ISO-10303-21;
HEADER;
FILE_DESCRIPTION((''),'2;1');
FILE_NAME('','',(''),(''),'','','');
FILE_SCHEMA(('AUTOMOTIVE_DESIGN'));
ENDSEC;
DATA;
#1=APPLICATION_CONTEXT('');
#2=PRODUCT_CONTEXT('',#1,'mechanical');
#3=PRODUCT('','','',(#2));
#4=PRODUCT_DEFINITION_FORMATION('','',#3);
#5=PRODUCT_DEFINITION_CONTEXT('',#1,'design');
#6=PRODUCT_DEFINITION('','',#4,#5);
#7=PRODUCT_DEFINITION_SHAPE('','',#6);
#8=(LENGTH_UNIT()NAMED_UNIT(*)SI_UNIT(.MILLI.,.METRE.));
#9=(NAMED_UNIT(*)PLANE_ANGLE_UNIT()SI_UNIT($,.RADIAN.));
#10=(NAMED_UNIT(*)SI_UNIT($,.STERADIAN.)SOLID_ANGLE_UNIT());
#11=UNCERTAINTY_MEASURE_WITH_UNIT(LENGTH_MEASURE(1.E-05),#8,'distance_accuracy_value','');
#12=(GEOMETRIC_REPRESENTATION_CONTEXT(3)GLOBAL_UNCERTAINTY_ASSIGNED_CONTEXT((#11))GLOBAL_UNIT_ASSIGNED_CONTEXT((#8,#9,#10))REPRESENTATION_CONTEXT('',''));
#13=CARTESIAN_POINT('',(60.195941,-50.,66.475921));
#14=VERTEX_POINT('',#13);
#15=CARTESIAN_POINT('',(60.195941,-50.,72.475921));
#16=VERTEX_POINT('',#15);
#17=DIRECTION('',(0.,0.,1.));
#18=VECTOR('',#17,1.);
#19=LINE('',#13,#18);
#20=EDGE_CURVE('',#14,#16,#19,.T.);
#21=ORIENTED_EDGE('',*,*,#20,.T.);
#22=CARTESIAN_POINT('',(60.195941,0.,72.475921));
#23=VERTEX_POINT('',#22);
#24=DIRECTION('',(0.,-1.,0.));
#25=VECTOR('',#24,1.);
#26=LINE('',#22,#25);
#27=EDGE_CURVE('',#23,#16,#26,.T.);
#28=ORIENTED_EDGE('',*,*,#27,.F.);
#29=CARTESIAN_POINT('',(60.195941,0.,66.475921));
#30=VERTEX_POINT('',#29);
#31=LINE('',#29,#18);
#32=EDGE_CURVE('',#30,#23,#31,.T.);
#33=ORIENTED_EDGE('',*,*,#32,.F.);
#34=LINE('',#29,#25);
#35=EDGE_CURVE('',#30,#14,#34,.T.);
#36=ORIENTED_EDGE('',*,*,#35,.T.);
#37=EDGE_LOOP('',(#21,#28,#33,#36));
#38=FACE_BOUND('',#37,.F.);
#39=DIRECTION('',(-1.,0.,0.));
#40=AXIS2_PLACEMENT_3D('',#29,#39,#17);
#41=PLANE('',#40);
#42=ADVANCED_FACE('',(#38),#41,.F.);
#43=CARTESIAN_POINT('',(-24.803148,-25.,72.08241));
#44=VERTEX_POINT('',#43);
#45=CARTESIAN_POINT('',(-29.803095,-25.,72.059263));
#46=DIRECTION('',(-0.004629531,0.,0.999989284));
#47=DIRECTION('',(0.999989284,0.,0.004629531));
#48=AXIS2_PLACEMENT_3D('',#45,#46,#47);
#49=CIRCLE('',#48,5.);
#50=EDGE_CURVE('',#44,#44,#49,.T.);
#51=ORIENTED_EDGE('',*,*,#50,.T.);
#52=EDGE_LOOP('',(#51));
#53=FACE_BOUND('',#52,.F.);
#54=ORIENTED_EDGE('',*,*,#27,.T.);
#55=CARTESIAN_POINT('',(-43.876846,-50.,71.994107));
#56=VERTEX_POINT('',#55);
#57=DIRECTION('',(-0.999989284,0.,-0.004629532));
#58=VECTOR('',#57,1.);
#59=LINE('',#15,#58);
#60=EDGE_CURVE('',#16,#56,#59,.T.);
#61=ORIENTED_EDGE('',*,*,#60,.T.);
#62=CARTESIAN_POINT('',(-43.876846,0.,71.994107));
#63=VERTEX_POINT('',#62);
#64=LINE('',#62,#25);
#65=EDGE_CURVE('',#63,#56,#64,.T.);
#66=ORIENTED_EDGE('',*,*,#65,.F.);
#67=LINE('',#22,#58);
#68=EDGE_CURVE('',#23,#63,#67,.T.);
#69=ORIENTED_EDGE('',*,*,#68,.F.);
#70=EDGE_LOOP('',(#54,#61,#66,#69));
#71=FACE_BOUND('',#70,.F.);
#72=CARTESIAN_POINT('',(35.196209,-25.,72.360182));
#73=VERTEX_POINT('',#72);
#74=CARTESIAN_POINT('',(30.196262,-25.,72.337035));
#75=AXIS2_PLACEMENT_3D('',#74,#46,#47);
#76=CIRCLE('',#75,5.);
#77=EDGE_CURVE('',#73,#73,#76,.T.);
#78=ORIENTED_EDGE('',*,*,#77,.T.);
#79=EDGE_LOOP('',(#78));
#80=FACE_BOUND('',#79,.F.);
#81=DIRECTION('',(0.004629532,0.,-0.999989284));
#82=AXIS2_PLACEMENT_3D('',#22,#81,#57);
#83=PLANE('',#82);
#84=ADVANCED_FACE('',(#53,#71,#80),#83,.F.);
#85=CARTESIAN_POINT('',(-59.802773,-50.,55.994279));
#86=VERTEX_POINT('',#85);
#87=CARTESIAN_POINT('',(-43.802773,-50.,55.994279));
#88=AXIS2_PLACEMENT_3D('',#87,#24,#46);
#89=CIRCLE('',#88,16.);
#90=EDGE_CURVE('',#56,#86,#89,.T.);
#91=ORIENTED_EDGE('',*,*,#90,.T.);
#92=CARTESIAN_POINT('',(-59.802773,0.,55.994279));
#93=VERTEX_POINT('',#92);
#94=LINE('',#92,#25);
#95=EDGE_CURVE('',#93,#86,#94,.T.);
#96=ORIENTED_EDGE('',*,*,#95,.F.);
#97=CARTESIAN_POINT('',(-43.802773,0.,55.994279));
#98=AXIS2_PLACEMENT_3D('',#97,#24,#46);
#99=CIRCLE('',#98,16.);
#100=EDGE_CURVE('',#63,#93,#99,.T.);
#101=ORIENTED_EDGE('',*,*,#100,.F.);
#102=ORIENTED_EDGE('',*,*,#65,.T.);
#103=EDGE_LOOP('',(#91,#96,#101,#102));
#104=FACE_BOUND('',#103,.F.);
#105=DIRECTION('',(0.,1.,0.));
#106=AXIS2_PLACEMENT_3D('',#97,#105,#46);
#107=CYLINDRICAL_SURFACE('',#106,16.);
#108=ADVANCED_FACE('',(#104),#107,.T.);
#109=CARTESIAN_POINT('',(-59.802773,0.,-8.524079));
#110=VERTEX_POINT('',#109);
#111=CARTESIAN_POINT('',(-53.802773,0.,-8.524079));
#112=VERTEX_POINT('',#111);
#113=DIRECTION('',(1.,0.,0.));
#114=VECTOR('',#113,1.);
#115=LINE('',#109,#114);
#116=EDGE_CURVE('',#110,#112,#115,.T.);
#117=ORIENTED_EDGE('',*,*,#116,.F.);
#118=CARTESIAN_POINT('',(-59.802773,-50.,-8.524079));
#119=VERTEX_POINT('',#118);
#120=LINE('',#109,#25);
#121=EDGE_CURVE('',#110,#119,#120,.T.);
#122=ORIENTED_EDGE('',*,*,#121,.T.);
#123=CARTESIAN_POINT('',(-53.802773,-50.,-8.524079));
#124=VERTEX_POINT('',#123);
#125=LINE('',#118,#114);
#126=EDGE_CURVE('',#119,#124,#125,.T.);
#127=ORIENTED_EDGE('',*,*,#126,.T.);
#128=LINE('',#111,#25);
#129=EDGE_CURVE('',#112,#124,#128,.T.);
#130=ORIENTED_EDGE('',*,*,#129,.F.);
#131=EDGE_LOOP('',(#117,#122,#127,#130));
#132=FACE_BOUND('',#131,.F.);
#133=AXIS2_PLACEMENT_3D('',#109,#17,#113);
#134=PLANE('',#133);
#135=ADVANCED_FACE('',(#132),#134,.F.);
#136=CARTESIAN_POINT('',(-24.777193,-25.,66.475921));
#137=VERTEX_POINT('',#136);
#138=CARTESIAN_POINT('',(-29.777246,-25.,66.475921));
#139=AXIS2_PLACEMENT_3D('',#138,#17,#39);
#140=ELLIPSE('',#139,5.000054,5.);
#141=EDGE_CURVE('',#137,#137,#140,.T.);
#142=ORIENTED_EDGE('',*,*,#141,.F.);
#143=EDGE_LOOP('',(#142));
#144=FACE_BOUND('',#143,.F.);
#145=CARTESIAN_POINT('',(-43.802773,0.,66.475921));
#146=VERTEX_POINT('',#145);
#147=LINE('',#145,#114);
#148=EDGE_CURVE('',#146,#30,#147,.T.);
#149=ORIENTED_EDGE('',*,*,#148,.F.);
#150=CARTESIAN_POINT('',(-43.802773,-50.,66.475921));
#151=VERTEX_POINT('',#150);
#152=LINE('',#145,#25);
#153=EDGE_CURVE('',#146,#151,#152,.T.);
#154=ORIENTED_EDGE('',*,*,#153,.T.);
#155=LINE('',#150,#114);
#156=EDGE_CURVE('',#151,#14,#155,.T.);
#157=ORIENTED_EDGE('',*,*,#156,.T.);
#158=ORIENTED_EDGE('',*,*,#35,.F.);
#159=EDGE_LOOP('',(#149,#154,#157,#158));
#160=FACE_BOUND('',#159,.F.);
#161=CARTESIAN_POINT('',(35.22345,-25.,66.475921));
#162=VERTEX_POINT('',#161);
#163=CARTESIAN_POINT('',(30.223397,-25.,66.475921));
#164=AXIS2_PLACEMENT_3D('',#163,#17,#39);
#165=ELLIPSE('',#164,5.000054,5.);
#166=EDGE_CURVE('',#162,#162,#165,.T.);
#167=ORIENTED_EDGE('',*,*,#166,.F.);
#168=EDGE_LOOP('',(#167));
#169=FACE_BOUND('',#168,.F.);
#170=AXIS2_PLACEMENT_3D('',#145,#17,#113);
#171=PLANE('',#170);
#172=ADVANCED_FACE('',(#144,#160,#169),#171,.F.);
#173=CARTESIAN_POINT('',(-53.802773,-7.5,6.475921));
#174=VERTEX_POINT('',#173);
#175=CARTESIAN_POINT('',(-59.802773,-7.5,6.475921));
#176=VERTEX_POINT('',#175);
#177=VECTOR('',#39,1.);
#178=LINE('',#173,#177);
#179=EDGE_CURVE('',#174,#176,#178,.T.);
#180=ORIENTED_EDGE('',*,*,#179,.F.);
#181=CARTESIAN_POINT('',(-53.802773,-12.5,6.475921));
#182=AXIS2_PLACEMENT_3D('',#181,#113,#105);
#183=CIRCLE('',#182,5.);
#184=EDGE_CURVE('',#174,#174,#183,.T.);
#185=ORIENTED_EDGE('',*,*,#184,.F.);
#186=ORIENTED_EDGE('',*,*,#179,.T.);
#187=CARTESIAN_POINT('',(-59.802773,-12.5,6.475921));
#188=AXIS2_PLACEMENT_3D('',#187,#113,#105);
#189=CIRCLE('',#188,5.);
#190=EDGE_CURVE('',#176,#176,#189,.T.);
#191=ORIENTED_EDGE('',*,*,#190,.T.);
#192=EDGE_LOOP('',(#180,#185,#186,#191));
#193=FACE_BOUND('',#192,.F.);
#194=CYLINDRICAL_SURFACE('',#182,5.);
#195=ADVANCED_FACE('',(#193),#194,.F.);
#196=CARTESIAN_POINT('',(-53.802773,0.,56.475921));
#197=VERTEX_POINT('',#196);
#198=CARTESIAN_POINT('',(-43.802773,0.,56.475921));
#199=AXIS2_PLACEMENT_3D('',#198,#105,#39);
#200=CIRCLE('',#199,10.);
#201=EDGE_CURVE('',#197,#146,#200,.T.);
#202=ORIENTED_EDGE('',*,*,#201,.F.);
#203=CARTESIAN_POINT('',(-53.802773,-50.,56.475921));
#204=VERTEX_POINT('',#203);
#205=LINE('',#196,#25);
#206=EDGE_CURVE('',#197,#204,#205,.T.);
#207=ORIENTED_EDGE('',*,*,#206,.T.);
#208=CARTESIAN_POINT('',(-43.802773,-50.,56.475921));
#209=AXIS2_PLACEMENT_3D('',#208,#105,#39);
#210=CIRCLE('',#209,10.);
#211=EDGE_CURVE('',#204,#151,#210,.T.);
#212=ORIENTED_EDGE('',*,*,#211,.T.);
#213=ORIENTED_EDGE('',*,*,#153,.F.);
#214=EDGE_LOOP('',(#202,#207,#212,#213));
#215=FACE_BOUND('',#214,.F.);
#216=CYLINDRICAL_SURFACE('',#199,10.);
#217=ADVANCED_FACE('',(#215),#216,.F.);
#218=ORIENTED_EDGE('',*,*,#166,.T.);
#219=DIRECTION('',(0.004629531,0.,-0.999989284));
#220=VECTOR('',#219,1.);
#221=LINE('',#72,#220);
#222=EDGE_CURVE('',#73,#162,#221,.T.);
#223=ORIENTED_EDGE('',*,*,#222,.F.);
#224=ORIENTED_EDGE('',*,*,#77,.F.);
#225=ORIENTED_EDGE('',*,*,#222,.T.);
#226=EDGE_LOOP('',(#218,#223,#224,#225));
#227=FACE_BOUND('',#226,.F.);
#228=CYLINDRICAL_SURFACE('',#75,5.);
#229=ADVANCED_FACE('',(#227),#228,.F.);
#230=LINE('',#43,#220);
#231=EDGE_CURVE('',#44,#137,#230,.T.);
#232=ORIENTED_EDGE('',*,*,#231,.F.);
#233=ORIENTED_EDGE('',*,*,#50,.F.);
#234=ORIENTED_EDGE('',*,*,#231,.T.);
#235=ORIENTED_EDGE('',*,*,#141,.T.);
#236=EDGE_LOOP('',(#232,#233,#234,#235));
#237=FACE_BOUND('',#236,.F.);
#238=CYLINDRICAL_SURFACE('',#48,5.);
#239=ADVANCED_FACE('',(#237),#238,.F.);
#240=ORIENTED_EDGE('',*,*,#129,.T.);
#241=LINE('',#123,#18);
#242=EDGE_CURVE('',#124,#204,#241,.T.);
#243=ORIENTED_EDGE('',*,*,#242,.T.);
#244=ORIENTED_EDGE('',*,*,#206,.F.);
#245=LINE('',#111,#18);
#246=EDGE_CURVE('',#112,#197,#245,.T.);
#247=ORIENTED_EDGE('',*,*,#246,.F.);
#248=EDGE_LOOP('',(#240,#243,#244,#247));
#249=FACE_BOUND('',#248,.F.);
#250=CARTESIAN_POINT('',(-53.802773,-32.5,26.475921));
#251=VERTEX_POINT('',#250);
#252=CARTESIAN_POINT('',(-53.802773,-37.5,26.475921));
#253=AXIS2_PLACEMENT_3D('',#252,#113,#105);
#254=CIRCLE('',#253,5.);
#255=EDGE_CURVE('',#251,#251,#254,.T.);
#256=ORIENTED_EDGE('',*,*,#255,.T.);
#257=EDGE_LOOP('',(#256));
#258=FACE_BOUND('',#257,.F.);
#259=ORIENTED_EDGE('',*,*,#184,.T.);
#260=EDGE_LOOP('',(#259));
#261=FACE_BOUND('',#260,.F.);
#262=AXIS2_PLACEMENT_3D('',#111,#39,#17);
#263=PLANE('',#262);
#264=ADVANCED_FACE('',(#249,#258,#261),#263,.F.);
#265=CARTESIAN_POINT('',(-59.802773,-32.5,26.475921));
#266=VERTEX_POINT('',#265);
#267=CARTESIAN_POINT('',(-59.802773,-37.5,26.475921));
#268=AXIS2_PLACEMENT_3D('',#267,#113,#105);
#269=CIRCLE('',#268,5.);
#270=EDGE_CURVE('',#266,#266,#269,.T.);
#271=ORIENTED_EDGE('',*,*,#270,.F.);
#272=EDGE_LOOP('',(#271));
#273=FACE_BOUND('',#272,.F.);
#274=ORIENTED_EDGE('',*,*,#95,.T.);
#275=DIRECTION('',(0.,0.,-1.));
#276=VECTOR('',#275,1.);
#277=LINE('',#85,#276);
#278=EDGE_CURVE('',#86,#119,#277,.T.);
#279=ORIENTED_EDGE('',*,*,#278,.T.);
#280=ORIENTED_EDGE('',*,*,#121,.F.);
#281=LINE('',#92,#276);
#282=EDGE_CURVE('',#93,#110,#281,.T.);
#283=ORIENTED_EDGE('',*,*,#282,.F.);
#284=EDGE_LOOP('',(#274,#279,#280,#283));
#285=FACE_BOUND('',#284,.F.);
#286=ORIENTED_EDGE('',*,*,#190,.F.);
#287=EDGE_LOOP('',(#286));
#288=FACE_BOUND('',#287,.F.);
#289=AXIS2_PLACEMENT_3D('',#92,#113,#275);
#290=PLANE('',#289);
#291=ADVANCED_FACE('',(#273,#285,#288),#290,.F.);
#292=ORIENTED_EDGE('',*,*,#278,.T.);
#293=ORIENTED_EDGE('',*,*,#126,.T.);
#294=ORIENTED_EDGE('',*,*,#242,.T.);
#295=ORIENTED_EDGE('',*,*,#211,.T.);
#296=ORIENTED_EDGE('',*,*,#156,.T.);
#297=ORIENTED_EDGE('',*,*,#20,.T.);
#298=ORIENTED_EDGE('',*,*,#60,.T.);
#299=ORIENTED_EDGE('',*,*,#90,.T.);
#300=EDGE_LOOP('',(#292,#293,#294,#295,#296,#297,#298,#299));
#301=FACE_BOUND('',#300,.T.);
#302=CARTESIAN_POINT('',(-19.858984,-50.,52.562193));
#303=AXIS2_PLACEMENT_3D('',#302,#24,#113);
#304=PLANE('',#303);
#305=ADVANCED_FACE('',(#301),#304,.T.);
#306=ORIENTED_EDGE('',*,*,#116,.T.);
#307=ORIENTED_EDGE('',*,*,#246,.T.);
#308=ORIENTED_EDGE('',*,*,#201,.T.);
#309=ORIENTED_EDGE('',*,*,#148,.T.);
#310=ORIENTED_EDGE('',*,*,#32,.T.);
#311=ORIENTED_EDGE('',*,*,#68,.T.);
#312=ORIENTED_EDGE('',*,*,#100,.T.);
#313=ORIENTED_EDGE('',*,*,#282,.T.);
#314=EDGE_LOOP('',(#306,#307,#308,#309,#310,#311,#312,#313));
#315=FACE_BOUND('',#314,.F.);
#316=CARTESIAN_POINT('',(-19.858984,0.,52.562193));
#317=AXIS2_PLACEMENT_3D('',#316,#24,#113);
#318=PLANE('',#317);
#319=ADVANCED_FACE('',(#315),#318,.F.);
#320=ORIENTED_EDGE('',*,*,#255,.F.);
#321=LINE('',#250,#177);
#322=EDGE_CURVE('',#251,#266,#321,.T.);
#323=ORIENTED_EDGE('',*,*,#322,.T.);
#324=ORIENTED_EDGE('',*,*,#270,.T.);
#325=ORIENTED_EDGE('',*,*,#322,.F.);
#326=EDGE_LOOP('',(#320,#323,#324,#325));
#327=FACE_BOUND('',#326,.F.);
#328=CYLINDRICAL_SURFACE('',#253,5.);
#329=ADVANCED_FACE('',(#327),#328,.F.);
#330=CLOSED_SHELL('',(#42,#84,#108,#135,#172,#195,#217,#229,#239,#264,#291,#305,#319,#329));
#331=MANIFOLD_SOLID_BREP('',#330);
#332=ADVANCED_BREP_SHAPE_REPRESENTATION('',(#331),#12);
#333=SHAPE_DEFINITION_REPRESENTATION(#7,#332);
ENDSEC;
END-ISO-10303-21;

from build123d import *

# Parameters (mm, degrees)
F1_DEPTH = 50
F2_R     = 5
F3_DEPTH = 25
F4_R     = 5
F5_DEPTH = 25


with BuildPart() as f1:
    # F0 (on Front) → F1 (new body)
    with BuildSketch(Plane.XZ):
        with BuildLine():
            ThreePointArc((-43.8768457623, 71.994107108), (-55.1426401019, 67.2817681029), (-59.8027732582, 55.9942785694))
            Line((-59.8027732582, 55.9942785694), (-59.8027732582, -8.5240794845))
            Line((-59.8027732582, -8.5240794845), (-53.8027732582, -8.5240794845))
            Line((-53.8027732582, -8.5240794845), (-53.8027732582, 56.4759205155))
            ThreePointArc((-53.8027732582, 56.4759205155), (-50.8738410701, 63.5469883274), (-43.8027732582, 66.4759205155))
            Line((-43.8027732582, 66.4759205155), (60.1959407812, 66.4759205155))
            Line((60.1959407812, 66.4759205155), (60.1959407812, 72.4759205155))
            Line((60.1959407812, 72.4759205155), (-43.8768457623, 71.994107108))
        make_face()
    extrude(amount=F1_DEPTH)

    # F2 (on face) → F3 (cut)
    with BuildSketch(Plane(origin=(-0.3342358086, 0, 72.1956911529), x_dir=(0.9999892837, 0, 0.0046295315), z_dir=(-0.0046295315, 0, 0.9999892837))):
        with Locations((-29.4691747415, -25)):
            Circle(F2_R)
        with Locations((30.5308252585, -25)):
            Circle(F2_R)
    extrude(amount=-F3_DEPTH, mode=Mode.SUBTRACT)

    # F4 (on face) → F5 (cut)
    with BuildSketch(Plane.YZ.offset(-53.8027732582)):
        with Locations((-12.5, 6.4759205155)):
            Circle(F4_R)
        with Locations((-37.5, 26.4759205155)):
            Circle(F4_R)
    extrude(amount=-F5_DEPTH, mode=Mode.SUBTRACT)


solid = f1.part
